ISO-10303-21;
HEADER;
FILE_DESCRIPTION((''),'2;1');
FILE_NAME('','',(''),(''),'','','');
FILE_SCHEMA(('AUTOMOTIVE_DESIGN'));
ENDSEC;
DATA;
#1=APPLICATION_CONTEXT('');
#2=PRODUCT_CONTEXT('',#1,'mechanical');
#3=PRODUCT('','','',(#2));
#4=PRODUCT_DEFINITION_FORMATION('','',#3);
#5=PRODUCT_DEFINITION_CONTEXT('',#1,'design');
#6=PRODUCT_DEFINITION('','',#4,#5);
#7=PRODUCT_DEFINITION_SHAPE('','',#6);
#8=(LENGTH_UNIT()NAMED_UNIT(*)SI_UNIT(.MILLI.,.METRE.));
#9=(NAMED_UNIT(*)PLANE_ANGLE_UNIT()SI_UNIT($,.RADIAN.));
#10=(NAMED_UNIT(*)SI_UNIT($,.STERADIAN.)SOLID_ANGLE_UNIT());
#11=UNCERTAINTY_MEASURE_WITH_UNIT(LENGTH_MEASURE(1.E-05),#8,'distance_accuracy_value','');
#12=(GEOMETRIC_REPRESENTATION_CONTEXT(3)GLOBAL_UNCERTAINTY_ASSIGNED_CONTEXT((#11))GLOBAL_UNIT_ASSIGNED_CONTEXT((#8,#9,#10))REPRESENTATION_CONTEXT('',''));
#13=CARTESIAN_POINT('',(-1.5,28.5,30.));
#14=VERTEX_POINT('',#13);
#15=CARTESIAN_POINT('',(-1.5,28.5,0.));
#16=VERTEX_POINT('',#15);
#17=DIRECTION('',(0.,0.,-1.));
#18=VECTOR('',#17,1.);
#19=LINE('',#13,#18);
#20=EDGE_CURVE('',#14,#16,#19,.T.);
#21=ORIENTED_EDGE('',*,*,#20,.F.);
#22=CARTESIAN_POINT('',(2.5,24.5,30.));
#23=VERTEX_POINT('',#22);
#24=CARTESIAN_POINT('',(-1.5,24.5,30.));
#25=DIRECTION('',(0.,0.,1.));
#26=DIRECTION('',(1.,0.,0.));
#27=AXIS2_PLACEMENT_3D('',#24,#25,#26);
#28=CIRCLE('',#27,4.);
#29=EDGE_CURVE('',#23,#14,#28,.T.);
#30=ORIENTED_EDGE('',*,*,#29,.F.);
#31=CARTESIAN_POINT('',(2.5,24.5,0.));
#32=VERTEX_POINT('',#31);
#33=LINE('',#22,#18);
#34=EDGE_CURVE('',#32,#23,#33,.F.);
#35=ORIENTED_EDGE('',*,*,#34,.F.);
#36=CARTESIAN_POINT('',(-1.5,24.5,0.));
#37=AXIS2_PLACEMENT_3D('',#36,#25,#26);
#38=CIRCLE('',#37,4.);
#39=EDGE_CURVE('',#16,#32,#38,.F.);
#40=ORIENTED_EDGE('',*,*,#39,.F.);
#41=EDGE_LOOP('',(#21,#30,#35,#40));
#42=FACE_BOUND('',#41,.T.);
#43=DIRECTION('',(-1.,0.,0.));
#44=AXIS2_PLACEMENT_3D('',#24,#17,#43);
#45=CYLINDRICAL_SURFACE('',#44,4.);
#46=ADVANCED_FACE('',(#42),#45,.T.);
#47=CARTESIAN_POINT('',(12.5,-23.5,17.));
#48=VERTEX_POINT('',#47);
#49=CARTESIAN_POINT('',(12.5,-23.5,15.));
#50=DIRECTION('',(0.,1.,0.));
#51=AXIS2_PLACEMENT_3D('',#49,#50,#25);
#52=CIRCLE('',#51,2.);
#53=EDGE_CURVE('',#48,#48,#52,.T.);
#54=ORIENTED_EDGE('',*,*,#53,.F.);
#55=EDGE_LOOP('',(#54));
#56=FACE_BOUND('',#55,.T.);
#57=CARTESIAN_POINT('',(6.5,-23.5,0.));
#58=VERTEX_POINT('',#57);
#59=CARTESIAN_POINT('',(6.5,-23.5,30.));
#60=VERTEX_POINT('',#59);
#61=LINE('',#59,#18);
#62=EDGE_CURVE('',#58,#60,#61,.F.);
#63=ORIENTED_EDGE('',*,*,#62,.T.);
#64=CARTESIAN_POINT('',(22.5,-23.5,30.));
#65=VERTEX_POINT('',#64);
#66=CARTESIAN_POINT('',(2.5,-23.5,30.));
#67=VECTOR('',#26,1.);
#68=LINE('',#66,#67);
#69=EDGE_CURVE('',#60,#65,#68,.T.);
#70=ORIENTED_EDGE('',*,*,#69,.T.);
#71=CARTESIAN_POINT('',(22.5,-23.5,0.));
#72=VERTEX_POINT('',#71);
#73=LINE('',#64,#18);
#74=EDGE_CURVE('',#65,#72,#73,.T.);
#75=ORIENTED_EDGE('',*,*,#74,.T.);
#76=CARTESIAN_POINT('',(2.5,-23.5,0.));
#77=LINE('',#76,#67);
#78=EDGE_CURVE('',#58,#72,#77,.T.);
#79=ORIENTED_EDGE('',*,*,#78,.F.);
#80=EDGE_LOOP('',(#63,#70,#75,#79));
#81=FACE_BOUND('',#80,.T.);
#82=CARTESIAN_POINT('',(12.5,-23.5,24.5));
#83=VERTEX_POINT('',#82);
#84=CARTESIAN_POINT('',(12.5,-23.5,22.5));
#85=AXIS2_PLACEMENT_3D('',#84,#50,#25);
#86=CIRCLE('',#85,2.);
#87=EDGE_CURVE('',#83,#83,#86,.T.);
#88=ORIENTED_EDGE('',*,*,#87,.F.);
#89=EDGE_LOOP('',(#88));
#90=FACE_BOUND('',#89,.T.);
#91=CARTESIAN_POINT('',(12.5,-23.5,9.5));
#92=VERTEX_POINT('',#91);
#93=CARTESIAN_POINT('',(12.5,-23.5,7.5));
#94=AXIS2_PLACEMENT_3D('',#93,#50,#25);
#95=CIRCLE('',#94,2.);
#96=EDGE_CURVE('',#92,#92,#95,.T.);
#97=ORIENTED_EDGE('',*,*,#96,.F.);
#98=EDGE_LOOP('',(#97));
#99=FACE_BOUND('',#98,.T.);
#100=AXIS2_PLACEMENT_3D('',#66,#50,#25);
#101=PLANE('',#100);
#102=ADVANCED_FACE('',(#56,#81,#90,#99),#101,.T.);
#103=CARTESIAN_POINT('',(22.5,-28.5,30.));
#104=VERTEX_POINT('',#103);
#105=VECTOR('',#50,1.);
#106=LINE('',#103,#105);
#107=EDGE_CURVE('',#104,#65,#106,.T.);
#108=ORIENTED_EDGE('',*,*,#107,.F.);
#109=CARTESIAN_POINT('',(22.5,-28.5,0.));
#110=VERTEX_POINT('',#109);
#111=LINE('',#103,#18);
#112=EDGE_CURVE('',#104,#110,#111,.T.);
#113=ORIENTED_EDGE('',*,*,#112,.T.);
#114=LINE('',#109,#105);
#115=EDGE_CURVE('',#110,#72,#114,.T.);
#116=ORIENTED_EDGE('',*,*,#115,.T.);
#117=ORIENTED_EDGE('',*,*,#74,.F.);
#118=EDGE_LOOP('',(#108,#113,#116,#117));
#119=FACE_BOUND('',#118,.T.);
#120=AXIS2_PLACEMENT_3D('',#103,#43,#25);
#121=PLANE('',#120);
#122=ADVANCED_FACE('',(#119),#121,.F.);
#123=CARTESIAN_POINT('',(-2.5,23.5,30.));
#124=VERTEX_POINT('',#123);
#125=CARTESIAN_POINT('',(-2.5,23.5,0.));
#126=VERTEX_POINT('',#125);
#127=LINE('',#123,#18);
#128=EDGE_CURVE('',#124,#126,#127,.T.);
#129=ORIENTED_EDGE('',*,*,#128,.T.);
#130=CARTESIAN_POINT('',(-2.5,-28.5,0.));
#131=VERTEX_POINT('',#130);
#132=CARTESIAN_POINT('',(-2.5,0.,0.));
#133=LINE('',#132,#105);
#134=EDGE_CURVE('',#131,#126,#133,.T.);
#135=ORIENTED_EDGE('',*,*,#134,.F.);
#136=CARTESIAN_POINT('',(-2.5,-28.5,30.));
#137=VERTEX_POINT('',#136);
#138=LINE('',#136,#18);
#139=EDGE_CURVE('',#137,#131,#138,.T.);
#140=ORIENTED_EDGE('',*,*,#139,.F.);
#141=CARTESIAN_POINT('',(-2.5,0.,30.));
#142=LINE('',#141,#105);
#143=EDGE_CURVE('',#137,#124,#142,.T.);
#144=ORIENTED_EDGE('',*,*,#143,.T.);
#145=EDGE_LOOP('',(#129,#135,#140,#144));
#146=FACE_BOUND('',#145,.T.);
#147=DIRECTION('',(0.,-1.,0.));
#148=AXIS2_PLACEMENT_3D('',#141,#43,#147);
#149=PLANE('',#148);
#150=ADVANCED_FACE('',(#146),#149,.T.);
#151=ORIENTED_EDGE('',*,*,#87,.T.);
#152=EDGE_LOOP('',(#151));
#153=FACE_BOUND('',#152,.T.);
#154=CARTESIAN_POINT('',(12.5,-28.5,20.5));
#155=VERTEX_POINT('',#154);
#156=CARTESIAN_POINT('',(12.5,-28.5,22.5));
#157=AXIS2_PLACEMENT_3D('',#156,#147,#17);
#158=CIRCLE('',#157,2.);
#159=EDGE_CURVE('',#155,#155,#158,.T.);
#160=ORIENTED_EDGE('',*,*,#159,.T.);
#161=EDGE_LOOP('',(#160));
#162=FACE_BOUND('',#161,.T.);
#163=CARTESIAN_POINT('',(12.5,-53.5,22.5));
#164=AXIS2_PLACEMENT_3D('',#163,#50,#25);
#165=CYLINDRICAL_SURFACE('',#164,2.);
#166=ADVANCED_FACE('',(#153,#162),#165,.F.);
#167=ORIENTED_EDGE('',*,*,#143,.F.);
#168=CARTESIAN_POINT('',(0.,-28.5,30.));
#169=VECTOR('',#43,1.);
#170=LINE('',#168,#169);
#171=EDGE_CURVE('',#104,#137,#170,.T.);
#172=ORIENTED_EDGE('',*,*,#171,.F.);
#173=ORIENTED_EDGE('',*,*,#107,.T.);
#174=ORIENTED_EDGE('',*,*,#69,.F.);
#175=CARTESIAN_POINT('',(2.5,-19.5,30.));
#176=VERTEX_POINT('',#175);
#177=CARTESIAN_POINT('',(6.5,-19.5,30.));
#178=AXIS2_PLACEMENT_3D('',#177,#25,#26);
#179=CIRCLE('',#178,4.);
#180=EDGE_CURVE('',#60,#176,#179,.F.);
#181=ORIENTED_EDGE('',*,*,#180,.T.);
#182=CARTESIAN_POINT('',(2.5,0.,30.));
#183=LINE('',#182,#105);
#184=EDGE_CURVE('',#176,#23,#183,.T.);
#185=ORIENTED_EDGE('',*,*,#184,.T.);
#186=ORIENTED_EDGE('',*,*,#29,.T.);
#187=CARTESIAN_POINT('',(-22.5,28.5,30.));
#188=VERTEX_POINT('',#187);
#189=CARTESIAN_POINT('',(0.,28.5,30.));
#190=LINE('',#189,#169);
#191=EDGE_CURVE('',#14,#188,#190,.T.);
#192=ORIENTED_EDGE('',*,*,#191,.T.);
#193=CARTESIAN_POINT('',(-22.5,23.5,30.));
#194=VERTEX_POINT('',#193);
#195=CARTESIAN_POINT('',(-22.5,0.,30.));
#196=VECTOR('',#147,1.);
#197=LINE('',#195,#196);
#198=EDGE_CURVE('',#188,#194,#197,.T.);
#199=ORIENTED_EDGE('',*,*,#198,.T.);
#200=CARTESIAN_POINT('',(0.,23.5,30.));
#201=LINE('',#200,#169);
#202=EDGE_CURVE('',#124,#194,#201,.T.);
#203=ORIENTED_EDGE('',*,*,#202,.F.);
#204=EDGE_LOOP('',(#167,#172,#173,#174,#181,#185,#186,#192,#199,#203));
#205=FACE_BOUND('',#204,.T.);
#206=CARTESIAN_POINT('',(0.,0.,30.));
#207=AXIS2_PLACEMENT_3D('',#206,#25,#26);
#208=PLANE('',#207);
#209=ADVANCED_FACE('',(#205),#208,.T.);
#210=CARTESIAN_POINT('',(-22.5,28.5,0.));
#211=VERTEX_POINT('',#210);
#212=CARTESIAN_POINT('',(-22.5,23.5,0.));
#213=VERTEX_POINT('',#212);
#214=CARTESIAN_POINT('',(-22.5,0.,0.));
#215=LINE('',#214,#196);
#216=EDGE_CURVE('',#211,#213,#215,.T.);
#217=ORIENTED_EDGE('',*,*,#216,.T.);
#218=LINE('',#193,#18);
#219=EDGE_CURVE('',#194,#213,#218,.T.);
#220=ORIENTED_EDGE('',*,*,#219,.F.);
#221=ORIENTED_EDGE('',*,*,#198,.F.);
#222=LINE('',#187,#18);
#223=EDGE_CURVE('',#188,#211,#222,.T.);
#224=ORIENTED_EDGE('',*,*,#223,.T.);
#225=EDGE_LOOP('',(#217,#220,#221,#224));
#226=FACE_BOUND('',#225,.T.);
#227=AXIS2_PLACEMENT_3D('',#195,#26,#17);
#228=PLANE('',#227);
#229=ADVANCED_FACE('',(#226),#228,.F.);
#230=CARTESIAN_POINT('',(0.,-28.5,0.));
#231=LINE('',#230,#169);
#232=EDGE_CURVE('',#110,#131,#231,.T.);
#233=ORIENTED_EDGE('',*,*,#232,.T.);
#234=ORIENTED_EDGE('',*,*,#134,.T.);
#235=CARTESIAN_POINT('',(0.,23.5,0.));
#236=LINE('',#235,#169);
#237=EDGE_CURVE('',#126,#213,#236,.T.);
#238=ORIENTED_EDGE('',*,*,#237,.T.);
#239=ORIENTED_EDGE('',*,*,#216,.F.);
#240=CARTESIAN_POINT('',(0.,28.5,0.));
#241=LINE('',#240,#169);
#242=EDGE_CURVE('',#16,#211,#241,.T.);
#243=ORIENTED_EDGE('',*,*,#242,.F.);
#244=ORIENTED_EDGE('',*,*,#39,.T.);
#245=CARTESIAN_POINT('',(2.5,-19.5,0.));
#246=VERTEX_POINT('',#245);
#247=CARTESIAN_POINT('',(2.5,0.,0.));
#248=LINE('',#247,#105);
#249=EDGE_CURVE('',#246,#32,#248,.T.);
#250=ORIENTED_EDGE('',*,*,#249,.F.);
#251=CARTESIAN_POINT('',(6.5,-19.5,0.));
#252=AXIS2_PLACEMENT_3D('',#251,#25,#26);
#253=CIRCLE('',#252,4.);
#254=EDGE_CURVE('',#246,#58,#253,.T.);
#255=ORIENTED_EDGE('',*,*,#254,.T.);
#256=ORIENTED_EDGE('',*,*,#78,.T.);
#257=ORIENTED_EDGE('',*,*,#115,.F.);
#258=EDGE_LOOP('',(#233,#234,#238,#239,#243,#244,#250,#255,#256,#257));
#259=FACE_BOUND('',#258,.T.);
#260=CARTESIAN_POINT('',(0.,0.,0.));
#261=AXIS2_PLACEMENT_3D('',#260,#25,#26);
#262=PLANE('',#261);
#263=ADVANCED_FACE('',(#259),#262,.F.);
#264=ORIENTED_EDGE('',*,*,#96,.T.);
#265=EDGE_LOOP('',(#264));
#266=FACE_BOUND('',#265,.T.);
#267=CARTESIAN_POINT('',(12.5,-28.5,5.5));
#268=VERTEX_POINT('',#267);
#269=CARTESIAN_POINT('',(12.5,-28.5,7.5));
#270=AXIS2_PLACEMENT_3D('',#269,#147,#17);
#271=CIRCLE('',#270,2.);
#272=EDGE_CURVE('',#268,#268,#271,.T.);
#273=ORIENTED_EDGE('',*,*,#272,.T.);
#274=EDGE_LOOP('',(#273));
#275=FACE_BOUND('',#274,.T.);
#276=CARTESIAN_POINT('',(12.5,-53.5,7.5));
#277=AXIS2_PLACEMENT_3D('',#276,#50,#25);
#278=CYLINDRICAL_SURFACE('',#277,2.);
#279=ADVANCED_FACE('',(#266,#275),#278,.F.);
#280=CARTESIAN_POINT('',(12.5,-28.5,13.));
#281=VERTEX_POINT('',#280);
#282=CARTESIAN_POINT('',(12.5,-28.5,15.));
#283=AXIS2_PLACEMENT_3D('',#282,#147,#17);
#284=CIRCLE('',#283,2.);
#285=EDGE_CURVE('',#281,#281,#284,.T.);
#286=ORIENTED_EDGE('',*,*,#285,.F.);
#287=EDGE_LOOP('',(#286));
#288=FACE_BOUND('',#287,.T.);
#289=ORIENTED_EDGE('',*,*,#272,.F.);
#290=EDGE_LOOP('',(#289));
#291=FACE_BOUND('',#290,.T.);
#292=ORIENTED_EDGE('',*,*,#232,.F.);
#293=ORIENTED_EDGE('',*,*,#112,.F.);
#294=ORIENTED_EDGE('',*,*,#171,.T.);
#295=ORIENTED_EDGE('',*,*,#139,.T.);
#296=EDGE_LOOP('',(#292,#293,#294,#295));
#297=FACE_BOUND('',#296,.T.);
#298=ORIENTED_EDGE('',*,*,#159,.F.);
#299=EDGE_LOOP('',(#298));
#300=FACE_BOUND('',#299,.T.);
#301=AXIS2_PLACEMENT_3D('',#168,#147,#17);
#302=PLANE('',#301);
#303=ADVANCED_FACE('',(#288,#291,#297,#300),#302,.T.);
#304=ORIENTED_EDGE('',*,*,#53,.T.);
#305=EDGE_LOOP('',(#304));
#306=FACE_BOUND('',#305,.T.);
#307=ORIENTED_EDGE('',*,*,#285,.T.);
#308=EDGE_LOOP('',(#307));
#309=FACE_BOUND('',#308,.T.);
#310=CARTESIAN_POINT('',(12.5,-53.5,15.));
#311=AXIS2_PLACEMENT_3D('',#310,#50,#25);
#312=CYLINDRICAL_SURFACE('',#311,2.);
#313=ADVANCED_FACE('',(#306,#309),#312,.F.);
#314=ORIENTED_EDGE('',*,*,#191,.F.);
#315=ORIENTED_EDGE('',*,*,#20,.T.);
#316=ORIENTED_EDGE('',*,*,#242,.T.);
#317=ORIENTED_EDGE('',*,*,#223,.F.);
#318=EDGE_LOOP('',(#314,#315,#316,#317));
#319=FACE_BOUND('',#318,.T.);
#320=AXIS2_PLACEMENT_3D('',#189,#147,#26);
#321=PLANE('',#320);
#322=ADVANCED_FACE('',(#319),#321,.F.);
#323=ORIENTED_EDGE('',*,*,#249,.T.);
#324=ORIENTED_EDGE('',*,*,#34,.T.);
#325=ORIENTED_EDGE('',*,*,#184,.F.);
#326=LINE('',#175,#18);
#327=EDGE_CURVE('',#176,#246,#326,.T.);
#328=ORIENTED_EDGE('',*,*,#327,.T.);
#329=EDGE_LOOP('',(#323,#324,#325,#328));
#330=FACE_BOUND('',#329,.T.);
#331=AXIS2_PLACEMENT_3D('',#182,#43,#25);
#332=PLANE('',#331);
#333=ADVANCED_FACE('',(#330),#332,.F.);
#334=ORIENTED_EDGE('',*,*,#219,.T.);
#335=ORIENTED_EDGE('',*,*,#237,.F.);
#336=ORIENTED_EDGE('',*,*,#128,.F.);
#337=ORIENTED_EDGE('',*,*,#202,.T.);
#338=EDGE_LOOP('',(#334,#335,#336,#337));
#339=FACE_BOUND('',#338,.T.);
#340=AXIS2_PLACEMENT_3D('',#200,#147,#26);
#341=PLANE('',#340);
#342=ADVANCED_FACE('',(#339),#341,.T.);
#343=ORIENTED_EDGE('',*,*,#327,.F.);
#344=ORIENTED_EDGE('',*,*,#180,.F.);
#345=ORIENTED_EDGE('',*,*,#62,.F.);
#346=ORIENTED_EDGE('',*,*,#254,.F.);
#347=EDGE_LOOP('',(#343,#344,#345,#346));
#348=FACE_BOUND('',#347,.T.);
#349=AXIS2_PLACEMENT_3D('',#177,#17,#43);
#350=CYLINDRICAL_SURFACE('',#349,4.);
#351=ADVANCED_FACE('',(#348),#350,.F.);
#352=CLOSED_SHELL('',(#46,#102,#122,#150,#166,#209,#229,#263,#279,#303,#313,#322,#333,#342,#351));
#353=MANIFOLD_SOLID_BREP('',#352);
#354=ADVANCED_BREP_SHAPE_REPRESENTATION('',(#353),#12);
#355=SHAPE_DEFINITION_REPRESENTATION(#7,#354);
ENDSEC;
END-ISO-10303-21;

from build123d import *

# Parameters (mm, degrees)
SKETCH1_W           = 20
SKETCH1_H           = 5
SKETCH1_W_2         = 5
SKETCH1_H_2         = 57
BOSS_EXTRUDE1_DEPTH = 30
FILLET1_R           = 4
SKETCH2_R           = 2
CUT_EXTRUDE1_DEPTH  = 30


with BuildPart() as part:
    # Sketch1 → Boss-Extrude1 (new body)
    with BuildSketch(Plane.XY):
        with Locations((-12.5, 26)):
            Rectangle(SKETCH1_W, SKETCH1_H)
        Rectangle(SKETCH1_W_2, SKETCH1_H_2)
        with Locations((12.5, -26)):
            Rectangle(SKETCH1_W, SKETCH1_H)
    extrude(amount=BOSS_EXTRUDE1_DEPTH)

    # Fillet1
    fillet1_edges = [part.edges().sort_by_distance(p)[0] for p in [
        (2.5, 28.5, 15),
        (2.5, -23.5, 15),
    ]]
    fillet(fillet1_edges, radius=FILLET1_R)

    # Sketch2 → Cut-Extrude1 (cut)
    with BuildSketch(Plane(origin=(0, -23.5, 0), x_dir=(1, 0, 0), z_dir=(0, 1, 0))):
        with Locations(Location((12.5, -15, 0), (0, 0, 270))):
            Circle(SKETCH2_R)
        with Locations(Location((12.5, -22.5, 0), (0, 0, 270))):
            Circle(SKETCH2_R)
        with Locations(Location((12.5, -7.5, 0), (0, 0, 270))):
            Circle(SKETCH2_R)
    extrude(amount=-CUT_EXTRUDE1_DEPTH, mode=Mode.SUBTRACT)


solid = part.part
